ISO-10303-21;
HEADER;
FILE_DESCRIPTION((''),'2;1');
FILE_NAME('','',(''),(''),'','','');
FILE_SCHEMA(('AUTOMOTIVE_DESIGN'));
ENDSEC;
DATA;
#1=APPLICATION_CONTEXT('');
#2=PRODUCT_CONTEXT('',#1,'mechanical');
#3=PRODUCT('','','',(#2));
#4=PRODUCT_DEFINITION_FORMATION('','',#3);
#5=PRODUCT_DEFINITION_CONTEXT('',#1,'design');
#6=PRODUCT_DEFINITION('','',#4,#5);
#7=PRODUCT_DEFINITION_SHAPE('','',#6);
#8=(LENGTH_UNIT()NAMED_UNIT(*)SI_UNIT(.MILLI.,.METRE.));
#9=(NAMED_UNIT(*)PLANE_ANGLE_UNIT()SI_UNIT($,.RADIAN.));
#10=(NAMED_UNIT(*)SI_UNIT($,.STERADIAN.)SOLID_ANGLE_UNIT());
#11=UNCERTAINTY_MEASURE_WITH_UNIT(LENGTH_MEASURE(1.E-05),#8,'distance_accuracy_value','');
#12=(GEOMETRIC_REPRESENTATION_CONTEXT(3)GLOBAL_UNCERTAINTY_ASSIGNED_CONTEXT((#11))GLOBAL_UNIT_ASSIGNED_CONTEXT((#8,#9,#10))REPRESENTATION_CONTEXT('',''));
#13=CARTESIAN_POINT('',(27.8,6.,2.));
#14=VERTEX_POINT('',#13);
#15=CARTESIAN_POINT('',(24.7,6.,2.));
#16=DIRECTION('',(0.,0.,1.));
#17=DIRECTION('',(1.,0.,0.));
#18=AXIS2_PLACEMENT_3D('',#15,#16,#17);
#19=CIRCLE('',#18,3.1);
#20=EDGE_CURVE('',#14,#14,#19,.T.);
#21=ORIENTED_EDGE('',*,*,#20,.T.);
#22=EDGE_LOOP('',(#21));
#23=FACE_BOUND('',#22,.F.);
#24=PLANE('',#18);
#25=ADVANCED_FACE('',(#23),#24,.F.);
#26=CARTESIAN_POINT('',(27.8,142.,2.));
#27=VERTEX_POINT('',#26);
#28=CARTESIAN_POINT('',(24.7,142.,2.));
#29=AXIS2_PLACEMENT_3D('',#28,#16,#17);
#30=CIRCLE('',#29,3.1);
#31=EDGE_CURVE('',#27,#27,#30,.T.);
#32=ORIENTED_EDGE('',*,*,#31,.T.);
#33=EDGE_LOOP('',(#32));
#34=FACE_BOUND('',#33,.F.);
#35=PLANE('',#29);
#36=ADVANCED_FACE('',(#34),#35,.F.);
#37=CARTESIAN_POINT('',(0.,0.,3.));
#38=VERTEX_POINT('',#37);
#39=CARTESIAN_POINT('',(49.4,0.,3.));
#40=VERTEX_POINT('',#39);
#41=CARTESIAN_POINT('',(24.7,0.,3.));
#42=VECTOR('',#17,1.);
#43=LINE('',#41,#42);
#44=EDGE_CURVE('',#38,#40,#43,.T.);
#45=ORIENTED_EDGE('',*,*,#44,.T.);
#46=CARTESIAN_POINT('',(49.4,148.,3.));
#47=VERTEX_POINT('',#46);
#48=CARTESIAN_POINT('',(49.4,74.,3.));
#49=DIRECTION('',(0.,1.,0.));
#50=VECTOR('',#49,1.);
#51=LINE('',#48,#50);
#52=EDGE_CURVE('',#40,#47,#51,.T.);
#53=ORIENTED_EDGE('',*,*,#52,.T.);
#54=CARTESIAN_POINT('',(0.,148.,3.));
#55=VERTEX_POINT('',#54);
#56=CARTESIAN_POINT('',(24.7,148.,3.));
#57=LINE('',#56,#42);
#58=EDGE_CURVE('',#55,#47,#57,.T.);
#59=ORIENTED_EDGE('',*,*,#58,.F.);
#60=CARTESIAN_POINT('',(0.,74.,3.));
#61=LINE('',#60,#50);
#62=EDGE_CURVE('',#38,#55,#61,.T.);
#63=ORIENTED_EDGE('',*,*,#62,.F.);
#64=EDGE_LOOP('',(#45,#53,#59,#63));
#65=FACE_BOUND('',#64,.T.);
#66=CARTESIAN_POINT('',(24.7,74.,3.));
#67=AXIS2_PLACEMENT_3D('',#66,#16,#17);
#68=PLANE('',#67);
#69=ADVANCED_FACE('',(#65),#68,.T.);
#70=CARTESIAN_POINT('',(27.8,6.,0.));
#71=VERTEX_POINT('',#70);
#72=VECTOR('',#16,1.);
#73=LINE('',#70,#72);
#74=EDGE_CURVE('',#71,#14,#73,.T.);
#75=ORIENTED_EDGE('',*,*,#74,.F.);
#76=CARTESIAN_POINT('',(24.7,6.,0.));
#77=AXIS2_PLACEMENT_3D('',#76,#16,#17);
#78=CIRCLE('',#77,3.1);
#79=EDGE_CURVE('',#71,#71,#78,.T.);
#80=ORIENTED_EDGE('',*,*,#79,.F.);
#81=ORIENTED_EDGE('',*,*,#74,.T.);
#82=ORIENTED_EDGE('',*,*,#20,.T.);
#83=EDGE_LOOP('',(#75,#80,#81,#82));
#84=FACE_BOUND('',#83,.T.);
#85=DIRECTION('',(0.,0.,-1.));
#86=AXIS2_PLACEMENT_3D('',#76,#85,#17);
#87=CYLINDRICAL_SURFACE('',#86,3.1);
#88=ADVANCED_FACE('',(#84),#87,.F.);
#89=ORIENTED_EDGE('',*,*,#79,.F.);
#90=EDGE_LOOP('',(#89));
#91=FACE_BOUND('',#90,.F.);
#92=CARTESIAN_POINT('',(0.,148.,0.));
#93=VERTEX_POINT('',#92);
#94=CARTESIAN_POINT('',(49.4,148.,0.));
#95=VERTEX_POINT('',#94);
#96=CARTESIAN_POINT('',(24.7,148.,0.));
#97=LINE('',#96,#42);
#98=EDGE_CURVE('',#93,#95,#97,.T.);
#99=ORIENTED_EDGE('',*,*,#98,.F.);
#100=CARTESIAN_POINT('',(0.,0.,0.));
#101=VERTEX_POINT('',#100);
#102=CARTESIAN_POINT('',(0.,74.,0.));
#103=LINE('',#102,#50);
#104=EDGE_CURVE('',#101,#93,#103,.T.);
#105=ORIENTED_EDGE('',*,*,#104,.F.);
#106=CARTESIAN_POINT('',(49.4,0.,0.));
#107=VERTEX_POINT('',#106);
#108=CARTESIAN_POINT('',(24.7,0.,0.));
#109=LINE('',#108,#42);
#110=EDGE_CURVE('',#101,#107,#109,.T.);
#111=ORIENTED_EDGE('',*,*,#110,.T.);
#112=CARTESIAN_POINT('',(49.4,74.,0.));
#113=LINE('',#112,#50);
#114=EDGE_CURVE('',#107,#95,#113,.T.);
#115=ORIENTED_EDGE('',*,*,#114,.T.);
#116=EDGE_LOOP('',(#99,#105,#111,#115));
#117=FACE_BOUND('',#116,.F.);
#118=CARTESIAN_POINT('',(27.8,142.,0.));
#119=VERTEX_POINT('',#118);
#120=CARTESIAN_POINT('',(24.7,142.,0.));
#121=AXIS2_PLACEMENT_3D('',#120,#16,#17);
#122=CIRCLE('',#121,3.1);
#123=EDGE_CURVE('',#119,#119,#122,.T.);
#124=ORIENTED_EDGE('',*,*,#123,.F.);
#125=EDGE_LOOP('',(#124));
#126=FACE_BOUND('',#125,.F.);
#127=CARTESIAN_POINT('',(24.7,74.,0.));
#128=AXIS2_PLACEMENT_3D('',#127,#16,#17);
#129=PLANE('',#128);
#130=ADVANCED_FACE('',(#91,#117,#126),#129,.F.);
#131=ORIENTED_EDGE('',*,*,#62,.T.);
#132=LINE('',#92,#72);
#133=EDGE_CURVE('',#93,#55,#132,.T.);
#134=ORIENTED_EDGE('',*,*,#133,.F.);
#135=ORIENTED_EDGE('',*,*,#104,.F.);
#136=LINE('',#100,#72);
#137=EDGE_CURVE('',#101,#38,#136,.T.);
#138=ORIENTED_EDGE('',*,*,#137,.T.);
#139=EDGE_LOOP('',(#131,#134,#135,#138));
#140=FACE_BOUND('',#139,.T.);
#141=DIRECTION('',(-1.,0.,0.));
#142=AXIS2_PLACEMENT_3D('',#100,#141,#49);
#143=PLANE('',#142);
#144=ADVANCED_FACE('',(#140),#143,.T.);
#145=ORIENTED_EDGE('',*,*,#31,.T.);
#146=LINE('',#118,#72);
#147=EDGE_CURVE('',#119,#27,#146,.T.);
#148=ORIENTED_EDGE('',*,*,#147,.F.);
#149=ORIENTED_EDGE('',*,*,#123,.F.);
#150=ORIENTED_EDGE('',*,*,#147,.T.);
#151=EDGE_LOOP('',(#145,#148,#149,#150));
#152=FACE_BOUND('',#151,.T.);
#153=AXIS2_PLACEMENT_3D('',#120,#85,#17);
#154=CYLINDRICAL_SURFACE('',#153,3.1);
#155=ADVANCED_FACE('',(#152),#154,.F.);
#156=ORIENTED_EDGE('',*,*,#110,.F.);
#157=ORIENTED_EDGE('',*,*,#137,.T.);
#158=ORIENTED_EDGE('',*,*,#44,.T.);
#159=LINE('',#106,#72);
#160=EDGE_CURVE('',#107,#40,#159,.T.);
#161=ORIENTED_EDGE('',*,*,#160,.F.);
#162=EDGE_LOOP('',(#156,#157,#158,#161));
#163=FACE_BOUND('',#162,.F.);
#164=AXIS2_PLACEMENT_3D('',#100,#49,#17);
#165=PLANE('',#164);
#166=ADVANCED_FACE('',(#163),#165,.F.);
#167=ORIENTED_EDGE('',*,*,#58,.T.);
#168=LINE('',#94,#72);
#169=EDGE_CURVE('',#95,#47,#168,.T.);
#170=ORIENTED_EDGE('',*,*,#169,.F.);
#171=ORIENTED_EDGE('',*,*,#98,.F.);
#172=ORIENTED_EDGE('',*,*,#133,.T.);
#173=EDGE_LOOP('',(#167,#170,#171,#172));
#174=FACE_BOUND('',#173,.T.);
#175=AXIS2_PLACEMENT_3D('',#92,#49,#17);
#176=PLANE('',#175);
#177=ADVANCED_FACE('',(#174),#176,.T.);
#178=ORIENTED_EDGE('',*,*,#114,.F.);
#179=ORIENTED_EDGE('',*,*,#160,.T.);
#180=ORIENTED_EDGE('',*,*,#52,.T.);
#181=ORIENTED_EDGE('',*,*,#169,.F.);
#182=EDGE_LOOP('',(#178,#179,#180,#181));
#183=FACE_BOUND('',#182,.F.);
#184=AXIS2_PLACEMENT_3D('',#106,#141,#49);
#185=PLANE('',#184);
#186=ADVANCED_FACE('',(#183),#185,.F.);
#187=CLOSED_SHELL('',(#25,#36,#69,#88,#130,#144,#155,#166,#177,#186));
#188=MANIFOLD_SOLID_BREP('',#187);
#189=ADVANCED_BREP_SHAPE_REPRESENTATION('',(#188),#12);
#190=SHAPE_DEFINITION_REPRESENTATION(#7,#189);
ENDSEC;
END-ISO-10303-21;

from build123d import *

# Parameters (mm, degrees)
SKETCH_W     = 49.4
SKETCH_H     = 148
PAD_DEPTH    = 3
SKETCH001_R  = 3.1
POCKET_DEPTH = 2


with BuildPart() as part:
    # Sketch → Pad (new body)
    with BuildSketch(Plane.XY):
        with Locations((24.7, 74)):
            Rectangle(SKETCH_W, SKETCH_H)
    extrude(amount=PAD_DEPTH)

    # Sketch001 → Pocket (cut)
    with BuildSketch(Plane.XY):
        with Locations((24.7, 6)):
            Circle(SKETCH001_R)
        with Locations((24.7, 142)):
            Circle(SKETCH001_R)
    extrude(amount=POCKET_DEPTH, mode=Mode.SUBTRACT)


solid = part.part
